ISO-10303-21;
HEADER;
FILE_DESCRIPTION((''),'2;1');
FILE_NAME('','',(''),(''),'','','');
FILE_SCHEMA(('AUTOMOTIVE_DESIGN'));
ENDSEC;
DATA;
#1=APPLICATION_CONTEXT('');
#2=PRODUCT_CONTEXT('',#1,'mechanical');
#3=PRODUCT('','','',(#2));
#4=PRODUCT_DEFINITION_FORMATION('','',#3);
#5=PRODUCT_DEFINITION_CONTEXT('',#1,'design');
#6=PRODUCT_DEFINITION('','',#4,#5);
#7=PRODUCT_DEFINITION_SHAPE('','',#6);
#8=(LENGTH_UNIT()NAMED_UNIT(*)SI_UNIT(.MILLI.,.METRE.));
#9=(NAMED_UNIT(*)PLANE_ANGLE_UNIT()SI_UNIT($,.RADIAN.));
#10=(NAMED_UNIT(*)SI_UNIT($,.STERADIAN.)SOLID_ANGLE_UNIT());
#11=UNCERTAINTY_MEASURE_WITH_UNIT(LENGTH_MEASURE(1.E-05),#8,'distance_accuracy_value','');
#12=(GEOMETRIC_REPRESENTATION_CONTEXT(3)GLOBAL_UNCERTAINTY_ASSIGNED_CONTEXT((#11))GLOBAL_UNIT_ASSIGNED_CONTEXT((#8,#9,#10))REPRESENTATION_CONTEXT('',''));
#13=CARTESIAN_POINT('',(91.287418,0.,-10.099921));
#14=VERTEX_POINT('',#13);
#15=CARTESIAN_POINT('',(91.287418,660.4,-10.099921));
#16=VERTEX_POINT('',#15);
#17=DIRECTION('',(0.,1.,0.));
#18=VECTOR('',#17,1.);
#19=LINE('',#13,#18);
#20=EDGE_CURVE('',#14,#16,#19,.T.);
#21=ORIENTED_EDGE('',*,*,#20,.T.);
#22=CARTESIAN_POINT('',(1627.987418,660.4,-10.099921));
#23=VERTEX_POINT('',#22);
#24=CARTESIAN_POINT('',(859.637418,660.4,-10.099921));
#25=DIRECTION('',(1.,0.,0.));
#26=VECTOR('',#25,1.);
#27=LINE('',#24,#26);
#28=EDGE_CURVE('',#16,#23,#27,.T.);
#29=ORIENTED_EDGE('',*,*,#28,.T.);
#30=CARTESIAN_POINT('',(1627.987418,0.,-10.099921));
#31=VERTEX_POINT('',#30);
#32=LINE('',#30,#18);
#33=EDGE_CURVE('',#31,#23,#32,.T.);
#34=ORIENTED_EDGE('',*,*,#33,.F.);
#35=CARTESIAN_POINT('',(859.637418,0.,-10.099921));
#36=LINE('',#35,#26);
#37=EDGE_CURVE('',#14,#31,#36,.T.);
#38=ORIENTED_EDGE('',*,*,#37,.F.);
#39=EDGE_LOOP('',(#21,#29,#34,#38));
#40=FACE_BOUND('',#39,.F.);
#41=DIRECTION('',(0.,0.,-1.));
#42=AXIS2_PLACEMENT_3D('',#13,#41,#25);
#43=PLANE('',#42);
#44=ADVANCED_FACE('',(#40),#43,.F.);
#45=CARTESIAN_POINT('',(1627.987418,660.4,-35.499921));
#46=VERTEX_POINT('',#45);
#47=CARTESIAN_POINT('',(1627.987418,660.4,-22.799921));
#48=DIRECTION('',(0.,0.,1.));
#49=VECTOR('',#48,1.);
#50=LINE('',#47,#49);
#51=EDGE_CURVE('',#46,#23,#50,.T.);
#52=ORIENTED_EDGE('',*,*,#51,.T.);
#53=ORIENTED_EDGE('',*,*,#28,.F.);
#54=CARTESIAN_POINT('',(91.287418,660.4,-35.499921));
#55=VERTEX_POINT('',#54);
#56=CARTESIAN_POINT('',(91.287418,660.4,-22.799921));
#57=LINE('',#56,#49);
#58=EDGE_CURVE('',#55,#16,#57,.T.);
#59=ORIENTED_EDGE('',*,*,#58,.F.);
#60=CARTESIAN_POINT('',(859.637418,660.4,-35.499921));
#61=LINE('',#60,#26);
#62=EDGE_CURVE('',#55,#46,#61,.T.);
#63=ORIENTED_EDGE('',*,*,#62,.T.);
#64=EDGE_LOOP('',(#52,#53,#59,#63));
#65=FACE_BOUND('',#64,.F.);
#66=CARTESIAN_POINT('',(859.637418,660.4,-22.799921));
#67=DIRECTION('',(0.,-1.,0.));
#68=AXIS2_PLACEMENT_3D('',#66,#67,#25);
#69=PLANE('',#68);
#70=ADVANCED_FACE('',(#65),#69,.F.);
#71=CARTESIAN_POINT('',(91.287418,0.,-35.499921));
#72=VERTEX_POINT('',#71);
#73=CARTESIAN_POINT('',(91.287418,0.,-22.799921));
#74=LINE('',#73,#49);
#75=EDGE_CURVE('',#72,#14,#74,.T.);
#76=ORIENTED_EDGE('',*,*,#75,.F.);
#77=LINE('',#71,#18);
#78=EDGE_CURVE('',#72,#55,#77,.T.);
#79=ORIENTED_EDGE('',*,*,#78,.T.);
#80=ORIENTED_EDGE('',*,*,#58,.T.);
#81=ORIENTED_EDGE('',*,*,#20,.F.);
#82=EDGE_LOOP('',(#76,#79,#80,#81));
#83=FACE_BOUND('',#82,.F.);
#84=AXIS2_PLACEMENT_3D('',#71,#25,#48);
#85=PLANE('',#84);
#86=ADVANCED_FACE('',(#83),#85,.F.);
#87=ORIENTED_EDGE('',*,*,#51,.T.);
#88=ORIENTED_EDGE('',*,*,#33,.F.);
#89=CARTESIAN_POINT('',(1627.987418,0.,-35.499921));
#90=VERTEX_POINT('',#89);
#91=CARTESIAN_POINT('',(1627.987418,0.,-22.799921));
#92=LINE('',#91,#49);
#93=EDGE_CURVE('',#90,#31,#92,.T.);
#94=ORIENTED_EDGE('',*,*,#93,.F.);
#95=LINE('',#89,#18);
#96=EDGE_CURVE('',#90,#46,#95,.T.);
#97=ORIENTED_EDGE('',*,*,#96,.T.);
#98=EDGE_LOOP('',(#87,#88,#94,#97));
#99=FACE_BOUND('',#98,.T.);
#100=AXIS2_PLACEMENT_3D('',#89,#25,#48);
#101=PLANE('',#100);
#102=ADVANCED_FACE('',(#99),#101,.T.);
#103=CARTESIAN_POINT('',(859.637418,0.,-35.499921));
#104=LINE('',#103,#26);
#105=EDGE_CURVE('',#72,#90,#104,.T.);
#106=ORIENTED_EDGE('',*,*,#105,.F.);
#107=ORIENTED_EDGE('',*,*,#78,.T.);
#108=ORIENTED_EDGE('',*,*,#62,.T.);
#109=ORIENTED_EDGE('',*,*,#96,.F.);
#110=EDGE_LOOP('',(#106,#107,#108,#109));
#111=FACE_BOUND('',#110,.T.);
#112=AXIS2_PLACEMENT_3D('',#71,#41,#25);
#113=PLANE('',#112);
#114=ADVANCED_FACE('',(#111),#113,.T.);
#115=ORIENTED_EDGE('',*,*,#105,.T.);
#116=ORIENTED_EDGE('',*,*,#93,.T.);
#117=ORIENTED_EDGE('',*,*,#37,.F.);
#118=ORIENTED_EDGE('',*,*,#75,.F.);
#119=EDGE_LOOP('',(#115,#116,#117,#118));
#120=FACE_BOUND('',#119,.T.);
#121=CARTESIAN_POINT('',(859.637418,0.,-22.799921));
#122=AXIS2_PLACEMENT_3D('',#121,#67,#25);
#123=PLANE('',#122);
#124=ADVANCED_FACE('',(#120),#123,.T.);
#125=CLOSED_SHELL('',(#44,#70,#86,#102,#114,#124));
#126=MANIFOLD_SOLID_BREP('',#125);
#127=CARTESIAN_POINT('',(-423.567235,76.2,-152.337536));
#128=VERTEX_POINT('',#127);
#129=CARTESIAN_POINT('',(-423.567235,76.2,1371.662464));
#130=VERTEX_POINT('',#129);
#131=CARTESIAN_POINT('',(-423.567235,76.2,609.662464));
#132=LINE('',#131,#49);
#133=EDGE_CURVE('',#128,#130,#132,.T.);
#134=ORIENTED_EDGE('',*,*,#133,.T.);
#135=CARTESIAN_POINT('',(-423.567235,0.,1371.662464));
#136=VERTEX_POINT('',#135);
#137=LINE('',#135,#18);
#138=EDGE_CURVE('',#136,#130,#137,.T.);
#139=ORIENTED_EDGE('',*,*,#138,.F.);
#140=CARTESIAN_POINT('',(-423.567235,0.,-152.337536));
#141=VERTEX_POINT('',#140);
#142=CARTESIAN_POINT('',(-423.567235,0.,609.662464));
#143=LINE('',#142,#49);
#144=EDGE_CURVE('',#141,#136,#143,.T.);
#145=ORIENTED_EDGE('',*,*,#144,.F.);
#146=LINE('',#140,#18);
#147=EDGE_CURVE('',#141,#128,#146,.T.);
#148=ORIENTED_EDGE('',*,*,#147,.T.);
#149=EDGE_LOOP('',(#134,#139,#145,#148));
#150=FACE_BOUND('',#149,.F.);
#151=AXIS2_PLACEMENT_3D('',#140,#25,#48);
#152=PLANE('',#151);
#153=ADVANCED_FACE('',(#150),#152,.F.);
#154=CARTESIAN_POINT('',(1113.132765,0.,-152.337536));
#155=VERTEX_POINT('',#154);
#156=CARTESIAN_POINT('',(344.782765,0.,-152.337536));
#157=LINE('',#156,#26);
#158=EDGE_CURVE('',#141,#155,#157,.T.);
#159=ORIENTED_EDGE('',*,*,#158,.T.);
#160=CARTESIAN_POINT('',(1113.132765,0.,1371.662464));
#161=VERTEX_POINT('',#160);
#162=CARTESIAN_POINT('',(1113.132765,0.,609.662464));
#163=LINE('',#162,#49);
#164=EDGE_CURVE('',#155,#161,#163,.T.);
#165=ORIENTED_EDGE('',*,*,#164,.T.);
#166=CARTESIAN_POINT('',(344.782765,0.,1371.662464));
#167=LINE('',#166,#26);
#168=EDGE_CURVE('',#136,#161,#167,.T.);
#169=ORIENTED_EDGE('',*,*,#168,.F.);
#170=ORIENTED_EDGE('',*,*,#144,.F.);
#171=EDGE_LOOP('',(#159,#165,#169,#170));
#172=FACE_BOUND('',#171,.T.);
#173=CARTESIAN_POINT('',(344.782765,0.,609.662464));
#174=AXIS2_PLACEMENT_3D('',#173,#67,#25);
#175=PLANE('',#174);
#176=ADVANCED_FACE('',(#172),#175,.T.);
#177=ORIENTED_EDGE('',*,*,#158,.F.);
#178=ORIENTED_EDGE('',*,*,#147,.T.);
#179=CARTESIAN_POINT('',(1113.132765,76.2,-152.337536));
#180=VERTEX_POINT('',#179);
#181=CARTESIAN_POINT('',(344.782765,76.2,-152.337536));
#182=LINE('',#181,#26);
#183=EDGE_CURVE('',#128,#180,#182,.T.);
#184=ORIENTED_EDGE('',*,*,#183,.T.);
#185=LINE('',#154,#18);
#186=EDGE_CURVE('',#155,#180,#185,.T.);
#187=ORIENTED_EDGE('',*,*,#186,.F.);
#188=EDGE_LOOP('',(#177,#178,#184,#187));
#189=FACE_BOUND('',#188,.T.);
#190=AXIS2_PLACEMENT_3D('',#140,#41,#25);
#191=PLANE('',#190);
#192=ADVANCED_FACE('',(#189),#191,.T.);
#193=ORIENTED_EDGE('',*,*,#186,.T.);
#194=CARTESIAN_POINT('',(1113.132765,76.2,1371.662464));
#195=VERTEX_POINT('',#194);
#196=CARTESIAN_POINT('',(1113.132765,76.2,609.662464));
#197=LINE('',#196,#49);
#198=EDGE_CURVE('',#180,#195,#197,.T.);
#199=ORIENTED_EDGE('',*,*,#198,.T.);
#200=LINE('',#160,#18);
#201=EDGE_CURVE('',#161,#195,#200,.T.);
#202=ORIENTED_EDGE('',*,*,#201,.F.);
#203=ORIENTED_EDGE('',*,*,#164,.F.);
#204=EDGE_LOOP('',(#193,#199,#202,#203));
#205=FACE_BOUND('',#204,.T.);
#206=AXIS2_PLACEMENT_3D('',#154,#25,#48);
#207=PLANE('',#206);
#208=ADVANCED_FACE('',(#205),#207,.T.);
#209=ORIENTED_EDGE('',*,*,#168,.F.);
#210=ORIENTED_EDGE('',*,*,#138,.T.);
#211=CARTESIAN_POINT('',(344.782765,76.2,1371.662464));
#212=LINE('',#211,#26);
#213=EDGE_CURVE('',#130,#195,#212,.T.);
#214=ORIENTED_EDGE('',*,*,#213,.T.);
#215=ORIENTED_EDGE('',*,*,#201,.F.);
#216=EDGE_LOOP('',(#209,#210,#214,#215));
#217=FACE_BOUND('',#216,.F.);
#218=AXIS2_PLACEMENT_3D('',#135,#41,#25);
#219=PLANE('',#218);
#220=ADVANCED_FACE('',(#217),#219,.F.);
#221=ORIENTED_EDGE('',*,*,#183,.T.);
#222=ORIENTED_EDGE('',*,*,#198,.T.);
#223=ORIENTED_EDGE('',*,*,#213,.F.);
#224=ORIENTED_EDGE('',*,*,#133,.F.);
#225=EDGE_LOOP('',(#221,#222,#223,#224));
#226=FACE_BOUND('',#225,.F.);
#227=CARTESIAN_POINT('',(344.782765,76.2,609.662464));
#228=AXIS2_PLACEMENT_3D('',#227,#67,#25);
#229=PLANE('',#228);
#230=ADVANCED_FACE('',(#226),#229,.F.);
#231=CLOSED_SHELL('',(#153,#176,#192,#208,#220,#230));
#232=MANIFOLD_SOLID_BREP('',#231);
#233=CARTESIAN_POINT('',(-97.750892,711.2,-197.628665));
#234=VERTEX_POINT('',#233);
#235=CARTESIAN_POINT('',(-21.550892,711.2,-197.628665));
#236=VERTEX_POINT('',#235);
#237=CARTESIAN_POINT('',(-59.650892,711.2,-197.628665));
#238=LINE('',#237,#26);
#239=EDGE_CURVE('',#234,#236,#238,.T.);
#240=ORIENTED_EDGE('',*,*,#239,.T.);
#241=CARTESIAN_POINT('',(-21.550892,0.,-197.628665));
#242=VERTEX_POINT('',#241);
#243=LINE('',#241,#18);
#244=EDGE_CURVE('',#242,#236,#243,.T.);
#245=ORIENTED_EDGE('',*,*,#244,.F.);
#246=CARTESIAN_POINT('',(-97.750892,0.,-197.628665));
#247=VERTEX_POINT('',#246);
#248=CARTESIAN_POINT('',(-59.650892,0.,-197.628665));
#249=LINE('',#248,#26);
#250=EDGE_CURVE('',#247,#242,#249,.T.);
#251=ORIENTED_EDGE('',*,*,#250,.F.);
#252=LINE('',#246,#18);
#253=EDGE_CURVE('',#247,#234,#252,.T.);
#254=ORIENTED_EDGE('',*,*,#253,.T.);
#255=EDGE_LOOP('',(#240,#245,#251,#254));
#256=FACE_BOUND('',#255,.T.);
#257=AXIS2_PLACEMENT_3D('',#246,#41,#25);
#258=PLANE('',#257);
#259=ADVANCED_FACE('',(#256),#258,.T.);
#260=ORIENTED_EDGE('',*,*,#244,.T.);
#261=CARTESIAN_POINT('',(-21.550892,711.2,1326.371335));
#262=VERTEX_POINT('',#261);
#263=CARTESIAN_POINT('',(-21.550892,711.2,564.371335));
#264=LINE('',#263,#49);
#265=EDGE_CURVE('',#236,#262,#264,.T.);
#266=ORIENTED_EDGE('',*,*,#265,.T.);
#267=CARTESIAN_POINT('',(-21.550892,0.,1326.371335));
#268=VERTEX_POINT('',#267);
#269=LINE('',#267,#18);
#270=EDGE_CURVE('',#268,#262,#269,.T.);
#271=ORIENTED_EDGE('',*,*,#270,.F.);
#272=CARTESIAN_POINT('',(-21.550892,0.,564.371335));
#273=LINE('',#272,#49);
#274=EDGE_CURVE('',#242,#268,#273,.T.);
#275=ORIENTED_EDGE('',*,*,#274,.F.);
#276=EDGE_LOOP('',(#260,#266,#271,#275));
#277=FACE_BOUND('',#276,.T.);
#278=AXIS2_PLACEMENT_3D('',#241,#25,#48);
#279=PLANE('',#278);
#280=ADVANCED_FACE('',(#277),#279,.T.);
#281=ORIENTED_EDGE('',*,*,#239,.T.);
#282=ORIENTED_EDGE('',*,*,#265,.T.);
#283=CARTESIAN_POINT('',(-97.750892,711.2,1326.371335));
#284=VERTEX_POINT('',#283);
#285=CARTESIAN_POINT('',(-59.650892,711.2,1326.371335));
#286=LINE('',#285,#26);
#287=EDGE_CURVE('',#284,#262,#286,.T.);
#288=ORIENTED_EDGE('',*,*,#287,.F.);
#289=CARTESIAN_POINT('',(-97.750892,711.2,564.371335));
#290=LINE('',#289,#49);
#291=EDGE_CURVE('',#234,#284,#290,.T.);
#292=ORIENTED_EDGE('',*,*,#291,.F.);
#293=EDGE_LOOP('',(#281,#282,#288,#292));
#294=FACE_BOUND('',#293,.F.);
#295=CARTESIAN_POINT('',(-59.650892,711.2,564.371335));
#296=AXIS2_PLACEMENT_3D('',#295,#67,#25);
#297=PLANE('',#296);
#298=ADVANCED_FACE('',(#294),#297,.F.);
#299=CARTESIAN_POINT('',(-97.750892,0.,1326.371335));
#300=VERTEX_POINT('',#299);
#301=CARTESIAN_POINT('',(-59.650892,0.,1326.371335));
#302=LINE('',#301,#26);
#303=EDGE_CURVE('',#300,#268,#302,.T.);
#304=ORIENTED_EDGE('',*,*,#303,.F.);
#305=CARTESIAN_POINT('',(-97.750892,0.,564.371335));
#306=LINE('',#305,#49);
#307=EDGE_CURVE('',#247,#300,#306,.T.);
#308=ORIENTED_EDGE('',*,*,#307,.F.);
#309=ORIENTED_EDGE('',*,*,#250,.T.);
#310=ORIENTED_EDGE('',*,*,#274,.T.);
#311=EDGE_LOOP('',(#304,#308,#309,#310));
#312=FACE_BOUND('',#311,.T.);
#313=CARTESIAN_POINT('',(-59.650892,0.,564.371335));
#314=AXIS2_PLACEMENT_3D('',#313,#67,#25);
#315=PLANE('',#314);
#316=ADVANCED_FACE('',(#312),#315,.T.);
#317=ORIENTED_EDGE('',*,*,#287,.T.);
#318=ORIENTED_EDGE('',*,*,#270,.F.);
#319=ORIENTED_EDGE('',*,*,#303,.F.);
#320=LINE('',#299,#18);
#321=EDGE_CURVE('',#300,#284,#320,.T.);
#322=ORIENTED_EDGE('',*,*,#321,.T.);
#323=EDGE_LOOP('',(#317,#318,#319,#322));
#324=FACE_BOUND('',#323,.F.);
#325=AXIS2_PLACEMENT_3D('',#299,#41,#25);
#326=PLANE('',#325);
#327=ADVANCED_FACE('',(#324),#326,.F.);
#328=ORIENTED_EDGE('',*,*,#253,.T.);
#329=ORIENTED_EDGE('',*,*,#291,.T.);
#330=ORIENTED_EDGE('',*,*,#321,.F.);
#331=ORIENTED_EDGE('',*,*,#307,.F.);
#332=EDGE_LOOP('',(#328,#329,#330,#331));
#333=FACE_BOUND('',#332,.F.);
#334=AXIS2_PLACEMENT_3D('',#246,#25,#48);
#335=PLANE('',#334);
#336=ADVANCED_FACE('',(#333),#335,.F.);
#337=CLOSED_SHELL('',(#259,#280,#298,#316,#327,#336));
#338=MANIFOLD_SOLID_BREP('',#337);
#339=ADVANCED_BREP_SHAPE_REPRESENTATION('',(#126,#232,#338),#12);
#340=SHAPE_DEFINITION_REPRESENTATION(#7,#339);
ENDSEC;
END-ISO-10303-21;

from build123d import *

# Parameters (mm, degrees)
F0_W     = 76.2
F0_H     = 1524
F3_DEPTH = 711.2
F1_W     = 1536.7
F1_H     = 25.4
F4_DEPTH = 660.4
F2_W     = 1536.7
F2_H     = 1524
F5_DEPTH = 76.2


with BuildPart() as f3:
    # F0 (on Front) → F3 (new body)
    with BuildSketch(Plane.XZ):
        with Locations((-59.650892, 564.371335)):
            Rectangle(F0_W, F0_H)
    extrude(amount=-F3_DEPTH)


with BuildPart() as f4:
    # F1 (on Front) → F4 (new body)
    with BuildSketch(Plane.XZ):
        with Locations((859.637418, -22.799921)):
            Rectangle(F1_W, F1_H)
    extrude(amount=-F4_DEPTH)


with BuildPart() as f5:
    # F2 (on Front) → F5 (new body)
    with BuildSketch(Plane.XZ):
        with Locations((344.782765, 609.662464)):
            Rectangle(F2_W, F2_H)
    extrude(amount=-F5_DEPTH)


solid = Compound([f3.part, f4.part, f5.part])
